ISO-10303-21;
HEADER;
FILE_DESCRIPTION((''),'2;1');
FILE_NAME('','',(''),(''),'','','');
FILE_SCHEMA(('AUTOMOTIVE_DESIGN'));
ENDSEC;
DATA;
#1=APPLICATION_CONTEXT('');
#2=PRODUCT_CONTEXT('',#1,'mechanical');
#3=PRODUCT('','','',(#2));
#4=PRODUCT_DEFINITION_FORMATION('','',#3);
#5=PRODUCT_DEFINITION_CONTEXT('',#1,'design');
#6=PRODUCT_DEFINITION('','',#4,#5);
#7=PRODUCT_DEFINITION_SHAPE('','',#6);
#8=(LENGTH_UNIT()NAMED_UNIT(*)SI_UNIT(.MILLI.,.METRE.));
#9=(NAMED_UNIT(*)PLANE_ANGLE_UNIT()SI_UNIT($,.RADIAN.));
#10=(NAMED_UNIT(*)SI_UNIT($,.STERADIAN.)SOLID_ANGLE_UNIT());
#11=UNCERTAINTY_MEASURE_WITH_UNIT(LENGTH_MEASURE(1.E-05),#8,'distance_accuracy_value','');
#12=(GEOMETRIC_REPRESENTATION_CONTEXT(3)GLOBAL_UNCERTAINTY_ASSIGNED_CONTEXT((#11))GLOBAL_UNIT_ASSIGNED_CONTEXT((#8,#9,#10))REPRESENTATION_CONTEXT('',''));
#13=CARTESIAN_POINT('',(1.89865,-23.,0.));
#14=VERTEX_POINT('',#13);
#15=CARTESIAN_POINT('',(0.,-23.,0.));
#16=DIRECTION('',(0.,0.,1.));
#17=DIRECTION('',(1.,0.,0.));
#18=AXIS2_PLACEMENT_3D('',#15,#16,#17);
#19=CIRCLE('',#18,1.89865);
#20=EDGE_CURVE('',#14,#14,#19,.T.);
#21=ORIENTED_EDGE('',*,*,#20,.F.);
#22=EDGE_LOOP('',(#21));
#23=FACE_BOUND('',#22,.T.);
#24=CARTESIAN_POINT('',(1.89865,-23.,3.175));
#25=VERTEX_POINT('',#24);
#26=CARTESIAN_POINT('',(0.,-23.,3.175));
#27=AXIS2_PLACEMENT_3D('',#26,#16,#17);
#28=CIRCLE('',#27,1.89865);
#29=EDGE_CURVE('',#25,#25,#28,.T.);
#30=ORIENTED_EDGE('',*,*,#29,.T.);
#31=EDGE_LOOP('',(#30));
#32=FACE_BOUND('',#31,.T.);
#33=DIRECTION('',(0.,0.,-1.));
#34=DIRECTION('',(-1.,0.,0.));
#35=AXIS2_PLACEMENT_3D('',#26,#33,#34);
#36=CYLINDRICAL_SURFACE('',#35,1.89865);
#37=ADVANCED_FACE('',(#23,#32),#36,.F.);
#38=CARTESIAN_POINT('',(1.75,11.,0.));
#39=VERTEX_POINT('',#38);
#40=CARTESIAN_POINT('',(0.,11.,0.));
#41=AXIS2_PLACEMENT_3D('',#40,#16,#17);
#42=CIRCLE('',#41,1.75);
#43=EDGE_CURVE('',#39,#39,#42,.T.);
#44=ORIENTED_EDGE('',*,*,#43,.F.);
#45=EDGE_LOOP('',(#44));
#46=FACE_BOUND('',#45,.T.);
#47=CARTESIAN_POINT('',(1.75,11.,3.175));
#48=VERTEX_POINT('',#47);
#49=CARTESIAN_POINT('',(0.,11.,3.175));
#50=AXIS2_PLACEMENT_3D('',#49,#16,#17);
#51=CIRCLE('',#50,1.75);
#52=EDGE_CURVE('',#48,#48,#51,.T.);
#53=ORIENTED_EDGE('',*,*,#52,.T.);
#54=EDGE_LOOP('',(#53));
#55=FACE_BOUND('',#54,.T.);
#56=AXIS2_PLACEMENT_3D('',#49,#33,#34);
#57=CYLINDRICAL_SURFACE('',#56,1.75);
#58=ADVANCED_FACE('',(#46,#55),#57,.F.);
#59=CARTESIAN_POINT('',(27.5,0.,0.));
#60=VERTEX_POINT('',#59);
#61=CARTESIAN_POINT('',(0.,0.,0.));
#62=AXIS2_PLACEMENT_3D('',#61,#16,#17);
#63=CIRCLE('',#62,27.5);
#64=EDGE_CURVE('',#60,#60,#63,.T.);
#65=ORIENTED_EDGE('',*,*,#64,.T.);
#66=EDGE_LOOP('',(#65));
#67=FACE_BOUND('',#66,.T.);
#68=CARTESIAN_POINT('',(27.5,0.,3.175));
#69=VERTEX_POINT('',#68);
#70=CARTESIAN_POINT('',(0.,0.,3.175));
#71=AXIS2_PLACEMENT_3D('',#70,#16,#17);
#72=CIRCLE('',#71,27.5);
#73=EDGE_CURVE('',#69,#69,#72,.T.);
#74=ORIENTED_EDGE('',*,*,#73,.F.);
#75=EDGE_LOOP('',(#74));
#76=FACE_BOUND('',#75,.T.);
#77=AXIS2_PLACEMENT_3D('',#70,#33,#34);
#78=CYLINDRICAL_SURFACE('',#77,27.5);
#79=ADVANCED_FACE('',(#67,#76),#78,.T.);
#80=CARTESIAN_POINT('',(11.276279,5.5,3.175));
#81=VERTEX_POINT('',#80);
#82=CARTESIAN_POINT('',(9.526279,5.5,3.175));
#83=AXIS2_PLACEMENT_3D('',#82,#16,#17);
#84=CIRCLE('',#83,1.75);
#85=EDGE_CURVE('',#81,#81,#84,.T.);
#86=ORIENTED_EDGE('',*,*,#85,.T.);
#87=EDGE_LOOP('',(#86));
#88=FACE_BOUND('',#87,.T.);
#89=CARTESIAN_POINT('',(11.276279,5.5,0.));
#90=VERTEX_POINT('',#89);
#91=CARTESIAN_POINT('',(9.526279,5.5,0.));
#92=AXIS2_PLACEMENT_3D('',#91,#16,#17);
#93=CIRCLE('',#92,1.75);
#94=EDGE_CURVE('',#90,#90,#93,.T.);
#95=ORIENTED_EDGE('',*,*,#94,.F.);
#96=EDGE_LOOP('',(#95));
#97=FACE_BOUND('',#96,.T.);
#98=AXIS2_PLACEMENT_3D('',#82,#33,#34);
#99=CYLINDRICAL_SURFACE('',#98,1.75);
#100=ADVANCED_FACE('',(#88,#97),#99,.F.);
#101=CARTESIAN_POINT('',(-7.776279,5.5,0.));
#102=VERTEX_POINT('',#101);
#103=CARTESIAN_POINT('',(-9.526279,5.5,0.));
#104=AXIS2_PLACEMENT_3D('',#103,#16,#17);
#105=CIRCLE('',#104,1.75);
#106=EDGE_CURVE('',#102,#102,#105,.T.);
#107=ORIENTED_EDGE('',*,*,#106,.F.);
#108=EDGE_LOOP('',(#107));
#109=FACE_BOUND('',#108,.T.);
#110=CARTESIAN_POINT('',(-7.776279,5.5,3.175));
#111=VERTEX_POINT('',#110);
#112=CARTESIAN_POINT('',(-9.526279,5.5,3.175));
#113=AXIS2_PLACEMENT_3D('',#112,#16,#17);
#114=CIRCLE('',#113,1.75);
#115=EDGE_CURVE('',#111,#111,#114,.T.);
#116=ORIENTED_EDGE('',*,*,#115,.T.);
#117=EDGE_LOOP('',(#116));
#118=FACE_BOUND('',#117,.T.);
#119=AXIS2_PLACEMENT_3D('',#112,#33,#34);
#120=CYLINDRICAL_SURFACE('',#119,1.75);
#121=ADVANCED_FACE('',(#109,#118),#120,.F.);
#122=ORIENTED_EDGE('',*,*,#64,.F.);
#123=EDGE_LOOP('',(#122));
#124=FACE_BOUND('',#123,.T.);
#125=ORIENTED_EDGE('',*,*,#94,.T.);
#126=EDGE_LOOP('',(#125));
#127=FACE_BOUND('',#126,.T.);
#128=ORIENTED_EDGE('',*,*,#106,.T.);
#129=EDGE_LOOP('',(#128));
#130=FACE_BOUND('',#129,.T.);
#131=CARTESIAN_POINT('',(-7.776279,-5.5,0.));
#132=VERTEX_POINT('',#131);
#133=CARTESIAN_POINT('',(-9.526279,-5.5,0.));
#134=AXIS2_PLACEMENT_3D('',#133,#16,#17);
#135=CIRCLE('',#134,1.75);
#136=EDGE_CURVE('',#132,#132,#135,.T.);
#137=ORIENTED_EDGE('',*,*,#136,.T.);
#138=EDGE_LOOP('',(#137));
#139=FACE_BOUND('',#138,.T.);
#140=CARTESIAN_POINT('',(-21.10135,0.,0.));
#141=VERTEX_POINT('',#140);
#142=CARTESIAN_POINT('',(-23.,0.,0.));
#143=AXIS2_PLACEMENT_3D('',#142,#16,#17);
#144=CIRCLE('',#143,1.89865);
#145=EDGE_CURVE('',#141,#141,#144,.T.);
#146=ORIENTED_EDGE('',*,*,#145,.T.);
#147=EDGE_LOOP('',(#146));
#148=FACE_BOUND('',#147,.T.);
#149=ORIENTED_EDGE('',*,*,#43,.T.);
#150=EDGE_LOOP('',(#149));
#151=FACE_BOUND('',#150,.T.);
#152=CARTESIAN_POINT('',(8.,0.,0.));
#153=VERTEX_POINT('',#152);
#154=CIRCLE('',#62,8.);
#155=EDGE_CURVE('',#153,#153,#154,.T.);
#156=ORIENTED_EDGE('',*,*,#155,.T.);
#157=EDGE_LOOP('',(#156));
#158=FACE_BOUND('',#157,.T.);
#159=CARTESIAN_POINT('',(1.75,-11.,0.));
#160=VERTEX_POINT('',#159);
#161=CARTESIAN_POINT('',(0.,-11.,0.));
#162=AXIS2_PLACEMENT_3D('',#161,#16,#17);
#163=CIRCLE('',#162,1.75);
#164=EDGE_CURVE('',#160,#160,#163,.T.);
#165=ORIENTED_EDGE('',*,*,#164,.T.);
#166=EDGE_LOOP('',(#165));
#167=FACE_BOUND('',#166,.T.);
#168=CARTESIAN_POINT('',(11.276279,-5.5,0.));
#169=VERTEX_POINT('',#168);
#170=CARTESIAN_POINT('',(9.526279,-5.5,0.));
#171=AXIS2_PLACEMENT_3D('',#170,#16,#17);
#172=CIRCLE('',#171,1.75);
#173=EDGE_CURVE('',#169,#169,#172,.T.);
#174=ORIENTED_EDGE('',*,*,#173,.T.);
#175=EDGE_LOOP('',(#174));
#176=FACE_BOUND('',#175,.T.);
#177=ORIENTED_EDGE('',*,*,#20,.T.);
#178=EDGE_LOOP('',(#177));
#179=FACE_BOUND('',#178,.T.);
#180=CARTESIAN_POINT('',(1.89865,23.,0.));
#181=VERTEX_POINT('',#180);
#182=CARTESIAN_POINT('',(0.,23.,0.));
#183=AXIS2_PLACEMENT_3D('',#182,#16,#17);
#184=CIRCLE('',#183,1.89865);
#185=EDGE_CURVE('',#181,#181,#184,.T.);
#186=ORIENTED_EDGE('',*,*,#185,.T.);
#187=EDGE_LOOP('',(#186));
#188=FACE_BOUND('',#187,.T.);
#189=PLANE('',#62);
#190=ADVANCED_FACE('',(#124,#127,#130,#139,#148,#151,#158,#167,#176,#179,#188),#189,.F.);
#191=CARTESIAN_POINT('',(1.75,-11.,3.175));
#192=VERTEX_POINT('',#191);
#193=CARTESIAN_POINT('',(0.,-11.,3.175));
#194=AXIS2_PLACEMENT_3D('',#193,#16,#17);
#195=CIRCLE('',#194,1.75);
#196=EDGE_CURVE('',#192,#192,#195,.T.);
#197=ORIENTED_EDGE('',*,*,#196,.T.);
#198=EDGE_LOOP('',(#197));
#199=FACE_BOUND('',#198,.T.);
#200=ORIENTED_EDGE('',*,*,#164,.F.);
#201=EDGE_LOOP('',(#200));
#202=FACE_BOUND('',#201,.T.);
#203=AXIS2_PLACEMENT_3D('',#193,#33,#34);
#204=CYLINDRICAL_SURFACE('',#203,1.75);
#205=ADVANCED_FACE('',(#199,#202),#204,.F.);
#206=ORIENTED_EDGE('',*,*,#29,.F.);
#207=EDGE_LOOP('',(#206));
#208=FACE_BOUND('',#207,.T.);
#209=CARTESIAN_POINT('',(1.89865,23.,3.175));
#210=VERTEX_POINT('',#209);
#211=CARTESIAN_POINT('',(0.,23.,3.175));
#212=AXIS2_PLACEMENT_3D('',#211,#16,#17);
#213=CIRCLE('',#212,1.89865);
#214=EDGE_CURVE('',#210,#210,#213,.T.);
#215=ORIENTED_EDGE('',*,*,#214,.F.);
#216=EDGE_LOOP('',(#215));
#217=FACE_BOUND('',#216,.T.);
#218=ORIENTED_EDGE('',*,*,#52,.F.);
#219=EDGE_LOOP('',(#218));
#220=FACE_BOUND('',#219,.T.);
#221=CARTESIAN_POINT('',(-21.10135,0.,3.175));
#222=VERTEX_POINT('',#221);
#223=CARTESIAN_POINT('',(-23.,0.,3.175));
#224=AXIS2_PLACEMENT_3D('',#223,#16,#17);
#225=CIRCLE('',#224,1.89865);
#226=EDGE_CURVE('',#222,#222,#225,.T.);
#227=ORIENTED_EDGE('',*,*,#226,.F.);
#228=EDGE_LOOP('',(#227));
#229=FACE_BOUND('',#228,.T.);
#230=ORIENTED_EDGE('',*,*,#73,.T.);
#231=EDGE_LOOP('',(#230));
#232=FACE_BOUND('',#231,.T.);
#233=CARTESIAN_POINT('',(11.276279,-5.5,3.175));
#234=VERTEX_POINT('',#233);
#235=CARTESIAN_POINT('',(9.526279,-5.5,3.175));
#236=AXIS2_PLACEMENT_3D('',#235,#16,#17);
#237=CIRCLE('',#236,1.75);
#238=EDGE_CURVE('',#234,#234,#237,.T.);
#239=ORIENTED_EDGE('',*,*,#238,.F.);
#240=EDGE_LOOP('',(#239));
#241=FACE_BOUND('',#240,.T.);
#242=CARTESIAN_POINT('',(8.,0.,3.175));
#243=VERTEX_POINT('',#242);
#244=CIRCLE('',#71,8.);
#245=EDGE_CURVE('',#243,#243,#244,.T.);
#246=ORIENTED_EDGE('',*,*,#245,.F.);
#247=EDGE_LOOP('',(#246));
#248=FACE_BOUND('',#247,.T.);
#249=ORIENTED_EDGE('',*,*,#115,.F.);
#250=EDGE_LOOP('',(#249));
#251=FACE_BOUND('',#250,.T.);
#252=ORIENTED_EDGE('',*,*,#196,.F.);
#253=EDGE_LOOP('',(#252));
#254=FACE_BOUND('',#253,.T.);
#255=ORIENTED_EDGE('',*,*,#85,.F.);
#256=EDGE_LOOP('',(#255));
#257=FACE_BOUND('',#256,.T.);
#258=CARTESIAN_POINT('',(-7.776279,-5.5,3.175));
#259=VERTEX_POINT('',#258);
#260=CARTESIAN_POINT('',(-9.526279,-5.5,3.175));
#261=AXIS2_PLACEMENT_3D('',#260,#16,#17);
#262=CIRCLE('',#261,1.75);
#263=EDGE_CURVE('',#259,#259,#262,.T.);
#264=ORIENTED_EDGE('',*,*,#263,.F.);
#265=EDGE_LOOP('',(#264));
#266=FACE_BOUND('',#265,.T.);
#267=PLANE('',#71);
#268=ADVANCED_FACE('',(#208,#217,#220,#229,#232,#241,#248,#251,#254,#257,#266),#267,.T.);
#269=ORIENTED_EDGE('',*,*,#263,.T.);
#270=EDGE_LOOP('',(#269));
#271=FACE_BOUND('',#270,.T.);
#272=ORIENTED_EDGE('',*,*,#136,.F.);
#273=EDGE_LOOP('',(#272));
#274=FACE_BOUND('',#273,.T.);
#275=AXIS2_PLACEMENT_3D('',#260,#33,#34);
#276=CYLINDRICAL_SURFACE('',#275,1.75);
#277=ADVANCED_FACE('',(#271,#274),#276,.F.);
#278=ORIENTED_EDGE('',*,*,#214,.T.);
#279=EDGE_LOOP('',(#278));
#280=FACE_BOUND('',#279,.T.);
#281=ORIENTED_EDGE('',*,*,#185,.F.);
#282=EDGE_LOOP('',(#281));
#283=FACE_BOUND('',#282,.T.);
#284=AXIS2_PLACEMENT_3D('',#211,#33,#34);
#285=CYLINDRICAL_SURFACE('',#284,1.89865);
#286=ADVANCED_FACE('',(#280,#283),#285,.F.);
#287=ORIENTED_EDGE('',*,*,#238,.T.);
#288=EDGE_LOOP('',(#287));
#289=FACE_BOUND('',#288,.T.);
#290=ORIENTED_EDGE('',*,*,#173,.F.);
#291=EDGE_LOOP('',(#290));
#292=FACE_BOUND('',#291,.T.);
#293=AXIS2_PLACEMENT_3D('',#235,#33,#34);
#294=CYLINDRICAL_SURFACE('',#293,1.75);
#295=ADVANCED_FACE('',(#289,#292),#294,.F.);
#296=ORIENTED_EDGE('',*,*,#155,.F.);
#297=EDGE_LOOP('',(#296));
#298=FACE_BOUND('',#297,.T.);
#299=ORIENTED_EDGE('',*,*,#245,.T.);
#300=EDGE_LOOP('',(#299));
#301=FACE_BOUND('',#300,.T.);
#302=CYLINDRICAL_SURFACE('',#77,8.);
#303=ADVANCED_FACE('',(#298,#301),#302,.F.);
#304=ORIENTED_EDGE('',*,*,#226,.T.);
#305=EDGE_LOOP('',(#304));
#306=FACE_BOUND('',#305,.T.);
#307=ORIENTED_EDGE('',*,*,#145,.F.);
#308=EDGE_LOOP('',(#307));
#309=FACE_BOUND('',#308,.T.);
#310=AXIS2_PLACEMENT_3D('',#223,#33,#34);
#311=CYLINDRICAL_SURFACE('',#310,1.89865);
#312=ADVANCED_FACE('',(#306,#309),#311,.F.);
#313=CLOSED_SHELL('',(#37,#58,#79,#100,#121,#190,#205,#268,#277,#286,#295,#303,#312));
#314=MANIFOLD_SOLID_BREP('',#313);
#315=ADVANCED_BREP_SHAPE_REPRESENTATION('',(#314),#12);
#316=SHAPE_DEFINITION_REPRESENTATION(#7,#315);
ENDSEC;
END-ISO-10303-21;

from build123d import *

# Parameters (mm, degrees)
SKETCH1_R           = 27.5
SKETCH1_R_2         = 8
SKETCH1_R_3         = 1.89865
SKETCH1_R_4         = 1.75
BOSS_EXTRUDE1_DEPTH = 3.175


with BuildPart() as part:
    # Sketch1 → Boss-Extrude1 (new body)
    with BuildSketch(Plane.XY):
        Circle(SKETCH1_R)
        Circle(SKETCH1_R_2, mode=Mode.SUBTRACT)
        with Locations((0, 23)):
            Circle(SKETCH1_R_3, mode=Mode.SUBTRACT)
        with Locations((0, -23)):
            Circle(SKETCH1_R_3, mode=Mode.SUBTRACT)
        with Locations((-23, 0)):
            Circle(SKETCH1_R_3, mode=Mode.SUBTRACT)
        with Locations((0, 11)):
            Circle(SKETCH1_R_4, mode=Mode.SUBTRACT)
        with Locations((9.526279442, 5.5)):
            Circle(SKETCH1_R_4, mode=Mode.SUBTRACT)
        with Locations((9.526279442, -5.5)):
            Circle(SKETCH1_R_4, mode=Mode.SUBTRACT)
        with Locations((0, -11)):
            Circle(SKETCH1_R_4, mode=Mode.SUBTRACT)
        with Locations((-9.526279442, -5.5)):
            Circle(SKETCH1_R_4, mode=Mode.SUBTRACT)
        with Locations((-9.526279442, 5.5)):
            Circle(SKETCH1_R_4, mode=Mode.SUBTRACT)
    extrude(amount=BOSS_EXTRUDE1_DEPTH)


solid = part.part
